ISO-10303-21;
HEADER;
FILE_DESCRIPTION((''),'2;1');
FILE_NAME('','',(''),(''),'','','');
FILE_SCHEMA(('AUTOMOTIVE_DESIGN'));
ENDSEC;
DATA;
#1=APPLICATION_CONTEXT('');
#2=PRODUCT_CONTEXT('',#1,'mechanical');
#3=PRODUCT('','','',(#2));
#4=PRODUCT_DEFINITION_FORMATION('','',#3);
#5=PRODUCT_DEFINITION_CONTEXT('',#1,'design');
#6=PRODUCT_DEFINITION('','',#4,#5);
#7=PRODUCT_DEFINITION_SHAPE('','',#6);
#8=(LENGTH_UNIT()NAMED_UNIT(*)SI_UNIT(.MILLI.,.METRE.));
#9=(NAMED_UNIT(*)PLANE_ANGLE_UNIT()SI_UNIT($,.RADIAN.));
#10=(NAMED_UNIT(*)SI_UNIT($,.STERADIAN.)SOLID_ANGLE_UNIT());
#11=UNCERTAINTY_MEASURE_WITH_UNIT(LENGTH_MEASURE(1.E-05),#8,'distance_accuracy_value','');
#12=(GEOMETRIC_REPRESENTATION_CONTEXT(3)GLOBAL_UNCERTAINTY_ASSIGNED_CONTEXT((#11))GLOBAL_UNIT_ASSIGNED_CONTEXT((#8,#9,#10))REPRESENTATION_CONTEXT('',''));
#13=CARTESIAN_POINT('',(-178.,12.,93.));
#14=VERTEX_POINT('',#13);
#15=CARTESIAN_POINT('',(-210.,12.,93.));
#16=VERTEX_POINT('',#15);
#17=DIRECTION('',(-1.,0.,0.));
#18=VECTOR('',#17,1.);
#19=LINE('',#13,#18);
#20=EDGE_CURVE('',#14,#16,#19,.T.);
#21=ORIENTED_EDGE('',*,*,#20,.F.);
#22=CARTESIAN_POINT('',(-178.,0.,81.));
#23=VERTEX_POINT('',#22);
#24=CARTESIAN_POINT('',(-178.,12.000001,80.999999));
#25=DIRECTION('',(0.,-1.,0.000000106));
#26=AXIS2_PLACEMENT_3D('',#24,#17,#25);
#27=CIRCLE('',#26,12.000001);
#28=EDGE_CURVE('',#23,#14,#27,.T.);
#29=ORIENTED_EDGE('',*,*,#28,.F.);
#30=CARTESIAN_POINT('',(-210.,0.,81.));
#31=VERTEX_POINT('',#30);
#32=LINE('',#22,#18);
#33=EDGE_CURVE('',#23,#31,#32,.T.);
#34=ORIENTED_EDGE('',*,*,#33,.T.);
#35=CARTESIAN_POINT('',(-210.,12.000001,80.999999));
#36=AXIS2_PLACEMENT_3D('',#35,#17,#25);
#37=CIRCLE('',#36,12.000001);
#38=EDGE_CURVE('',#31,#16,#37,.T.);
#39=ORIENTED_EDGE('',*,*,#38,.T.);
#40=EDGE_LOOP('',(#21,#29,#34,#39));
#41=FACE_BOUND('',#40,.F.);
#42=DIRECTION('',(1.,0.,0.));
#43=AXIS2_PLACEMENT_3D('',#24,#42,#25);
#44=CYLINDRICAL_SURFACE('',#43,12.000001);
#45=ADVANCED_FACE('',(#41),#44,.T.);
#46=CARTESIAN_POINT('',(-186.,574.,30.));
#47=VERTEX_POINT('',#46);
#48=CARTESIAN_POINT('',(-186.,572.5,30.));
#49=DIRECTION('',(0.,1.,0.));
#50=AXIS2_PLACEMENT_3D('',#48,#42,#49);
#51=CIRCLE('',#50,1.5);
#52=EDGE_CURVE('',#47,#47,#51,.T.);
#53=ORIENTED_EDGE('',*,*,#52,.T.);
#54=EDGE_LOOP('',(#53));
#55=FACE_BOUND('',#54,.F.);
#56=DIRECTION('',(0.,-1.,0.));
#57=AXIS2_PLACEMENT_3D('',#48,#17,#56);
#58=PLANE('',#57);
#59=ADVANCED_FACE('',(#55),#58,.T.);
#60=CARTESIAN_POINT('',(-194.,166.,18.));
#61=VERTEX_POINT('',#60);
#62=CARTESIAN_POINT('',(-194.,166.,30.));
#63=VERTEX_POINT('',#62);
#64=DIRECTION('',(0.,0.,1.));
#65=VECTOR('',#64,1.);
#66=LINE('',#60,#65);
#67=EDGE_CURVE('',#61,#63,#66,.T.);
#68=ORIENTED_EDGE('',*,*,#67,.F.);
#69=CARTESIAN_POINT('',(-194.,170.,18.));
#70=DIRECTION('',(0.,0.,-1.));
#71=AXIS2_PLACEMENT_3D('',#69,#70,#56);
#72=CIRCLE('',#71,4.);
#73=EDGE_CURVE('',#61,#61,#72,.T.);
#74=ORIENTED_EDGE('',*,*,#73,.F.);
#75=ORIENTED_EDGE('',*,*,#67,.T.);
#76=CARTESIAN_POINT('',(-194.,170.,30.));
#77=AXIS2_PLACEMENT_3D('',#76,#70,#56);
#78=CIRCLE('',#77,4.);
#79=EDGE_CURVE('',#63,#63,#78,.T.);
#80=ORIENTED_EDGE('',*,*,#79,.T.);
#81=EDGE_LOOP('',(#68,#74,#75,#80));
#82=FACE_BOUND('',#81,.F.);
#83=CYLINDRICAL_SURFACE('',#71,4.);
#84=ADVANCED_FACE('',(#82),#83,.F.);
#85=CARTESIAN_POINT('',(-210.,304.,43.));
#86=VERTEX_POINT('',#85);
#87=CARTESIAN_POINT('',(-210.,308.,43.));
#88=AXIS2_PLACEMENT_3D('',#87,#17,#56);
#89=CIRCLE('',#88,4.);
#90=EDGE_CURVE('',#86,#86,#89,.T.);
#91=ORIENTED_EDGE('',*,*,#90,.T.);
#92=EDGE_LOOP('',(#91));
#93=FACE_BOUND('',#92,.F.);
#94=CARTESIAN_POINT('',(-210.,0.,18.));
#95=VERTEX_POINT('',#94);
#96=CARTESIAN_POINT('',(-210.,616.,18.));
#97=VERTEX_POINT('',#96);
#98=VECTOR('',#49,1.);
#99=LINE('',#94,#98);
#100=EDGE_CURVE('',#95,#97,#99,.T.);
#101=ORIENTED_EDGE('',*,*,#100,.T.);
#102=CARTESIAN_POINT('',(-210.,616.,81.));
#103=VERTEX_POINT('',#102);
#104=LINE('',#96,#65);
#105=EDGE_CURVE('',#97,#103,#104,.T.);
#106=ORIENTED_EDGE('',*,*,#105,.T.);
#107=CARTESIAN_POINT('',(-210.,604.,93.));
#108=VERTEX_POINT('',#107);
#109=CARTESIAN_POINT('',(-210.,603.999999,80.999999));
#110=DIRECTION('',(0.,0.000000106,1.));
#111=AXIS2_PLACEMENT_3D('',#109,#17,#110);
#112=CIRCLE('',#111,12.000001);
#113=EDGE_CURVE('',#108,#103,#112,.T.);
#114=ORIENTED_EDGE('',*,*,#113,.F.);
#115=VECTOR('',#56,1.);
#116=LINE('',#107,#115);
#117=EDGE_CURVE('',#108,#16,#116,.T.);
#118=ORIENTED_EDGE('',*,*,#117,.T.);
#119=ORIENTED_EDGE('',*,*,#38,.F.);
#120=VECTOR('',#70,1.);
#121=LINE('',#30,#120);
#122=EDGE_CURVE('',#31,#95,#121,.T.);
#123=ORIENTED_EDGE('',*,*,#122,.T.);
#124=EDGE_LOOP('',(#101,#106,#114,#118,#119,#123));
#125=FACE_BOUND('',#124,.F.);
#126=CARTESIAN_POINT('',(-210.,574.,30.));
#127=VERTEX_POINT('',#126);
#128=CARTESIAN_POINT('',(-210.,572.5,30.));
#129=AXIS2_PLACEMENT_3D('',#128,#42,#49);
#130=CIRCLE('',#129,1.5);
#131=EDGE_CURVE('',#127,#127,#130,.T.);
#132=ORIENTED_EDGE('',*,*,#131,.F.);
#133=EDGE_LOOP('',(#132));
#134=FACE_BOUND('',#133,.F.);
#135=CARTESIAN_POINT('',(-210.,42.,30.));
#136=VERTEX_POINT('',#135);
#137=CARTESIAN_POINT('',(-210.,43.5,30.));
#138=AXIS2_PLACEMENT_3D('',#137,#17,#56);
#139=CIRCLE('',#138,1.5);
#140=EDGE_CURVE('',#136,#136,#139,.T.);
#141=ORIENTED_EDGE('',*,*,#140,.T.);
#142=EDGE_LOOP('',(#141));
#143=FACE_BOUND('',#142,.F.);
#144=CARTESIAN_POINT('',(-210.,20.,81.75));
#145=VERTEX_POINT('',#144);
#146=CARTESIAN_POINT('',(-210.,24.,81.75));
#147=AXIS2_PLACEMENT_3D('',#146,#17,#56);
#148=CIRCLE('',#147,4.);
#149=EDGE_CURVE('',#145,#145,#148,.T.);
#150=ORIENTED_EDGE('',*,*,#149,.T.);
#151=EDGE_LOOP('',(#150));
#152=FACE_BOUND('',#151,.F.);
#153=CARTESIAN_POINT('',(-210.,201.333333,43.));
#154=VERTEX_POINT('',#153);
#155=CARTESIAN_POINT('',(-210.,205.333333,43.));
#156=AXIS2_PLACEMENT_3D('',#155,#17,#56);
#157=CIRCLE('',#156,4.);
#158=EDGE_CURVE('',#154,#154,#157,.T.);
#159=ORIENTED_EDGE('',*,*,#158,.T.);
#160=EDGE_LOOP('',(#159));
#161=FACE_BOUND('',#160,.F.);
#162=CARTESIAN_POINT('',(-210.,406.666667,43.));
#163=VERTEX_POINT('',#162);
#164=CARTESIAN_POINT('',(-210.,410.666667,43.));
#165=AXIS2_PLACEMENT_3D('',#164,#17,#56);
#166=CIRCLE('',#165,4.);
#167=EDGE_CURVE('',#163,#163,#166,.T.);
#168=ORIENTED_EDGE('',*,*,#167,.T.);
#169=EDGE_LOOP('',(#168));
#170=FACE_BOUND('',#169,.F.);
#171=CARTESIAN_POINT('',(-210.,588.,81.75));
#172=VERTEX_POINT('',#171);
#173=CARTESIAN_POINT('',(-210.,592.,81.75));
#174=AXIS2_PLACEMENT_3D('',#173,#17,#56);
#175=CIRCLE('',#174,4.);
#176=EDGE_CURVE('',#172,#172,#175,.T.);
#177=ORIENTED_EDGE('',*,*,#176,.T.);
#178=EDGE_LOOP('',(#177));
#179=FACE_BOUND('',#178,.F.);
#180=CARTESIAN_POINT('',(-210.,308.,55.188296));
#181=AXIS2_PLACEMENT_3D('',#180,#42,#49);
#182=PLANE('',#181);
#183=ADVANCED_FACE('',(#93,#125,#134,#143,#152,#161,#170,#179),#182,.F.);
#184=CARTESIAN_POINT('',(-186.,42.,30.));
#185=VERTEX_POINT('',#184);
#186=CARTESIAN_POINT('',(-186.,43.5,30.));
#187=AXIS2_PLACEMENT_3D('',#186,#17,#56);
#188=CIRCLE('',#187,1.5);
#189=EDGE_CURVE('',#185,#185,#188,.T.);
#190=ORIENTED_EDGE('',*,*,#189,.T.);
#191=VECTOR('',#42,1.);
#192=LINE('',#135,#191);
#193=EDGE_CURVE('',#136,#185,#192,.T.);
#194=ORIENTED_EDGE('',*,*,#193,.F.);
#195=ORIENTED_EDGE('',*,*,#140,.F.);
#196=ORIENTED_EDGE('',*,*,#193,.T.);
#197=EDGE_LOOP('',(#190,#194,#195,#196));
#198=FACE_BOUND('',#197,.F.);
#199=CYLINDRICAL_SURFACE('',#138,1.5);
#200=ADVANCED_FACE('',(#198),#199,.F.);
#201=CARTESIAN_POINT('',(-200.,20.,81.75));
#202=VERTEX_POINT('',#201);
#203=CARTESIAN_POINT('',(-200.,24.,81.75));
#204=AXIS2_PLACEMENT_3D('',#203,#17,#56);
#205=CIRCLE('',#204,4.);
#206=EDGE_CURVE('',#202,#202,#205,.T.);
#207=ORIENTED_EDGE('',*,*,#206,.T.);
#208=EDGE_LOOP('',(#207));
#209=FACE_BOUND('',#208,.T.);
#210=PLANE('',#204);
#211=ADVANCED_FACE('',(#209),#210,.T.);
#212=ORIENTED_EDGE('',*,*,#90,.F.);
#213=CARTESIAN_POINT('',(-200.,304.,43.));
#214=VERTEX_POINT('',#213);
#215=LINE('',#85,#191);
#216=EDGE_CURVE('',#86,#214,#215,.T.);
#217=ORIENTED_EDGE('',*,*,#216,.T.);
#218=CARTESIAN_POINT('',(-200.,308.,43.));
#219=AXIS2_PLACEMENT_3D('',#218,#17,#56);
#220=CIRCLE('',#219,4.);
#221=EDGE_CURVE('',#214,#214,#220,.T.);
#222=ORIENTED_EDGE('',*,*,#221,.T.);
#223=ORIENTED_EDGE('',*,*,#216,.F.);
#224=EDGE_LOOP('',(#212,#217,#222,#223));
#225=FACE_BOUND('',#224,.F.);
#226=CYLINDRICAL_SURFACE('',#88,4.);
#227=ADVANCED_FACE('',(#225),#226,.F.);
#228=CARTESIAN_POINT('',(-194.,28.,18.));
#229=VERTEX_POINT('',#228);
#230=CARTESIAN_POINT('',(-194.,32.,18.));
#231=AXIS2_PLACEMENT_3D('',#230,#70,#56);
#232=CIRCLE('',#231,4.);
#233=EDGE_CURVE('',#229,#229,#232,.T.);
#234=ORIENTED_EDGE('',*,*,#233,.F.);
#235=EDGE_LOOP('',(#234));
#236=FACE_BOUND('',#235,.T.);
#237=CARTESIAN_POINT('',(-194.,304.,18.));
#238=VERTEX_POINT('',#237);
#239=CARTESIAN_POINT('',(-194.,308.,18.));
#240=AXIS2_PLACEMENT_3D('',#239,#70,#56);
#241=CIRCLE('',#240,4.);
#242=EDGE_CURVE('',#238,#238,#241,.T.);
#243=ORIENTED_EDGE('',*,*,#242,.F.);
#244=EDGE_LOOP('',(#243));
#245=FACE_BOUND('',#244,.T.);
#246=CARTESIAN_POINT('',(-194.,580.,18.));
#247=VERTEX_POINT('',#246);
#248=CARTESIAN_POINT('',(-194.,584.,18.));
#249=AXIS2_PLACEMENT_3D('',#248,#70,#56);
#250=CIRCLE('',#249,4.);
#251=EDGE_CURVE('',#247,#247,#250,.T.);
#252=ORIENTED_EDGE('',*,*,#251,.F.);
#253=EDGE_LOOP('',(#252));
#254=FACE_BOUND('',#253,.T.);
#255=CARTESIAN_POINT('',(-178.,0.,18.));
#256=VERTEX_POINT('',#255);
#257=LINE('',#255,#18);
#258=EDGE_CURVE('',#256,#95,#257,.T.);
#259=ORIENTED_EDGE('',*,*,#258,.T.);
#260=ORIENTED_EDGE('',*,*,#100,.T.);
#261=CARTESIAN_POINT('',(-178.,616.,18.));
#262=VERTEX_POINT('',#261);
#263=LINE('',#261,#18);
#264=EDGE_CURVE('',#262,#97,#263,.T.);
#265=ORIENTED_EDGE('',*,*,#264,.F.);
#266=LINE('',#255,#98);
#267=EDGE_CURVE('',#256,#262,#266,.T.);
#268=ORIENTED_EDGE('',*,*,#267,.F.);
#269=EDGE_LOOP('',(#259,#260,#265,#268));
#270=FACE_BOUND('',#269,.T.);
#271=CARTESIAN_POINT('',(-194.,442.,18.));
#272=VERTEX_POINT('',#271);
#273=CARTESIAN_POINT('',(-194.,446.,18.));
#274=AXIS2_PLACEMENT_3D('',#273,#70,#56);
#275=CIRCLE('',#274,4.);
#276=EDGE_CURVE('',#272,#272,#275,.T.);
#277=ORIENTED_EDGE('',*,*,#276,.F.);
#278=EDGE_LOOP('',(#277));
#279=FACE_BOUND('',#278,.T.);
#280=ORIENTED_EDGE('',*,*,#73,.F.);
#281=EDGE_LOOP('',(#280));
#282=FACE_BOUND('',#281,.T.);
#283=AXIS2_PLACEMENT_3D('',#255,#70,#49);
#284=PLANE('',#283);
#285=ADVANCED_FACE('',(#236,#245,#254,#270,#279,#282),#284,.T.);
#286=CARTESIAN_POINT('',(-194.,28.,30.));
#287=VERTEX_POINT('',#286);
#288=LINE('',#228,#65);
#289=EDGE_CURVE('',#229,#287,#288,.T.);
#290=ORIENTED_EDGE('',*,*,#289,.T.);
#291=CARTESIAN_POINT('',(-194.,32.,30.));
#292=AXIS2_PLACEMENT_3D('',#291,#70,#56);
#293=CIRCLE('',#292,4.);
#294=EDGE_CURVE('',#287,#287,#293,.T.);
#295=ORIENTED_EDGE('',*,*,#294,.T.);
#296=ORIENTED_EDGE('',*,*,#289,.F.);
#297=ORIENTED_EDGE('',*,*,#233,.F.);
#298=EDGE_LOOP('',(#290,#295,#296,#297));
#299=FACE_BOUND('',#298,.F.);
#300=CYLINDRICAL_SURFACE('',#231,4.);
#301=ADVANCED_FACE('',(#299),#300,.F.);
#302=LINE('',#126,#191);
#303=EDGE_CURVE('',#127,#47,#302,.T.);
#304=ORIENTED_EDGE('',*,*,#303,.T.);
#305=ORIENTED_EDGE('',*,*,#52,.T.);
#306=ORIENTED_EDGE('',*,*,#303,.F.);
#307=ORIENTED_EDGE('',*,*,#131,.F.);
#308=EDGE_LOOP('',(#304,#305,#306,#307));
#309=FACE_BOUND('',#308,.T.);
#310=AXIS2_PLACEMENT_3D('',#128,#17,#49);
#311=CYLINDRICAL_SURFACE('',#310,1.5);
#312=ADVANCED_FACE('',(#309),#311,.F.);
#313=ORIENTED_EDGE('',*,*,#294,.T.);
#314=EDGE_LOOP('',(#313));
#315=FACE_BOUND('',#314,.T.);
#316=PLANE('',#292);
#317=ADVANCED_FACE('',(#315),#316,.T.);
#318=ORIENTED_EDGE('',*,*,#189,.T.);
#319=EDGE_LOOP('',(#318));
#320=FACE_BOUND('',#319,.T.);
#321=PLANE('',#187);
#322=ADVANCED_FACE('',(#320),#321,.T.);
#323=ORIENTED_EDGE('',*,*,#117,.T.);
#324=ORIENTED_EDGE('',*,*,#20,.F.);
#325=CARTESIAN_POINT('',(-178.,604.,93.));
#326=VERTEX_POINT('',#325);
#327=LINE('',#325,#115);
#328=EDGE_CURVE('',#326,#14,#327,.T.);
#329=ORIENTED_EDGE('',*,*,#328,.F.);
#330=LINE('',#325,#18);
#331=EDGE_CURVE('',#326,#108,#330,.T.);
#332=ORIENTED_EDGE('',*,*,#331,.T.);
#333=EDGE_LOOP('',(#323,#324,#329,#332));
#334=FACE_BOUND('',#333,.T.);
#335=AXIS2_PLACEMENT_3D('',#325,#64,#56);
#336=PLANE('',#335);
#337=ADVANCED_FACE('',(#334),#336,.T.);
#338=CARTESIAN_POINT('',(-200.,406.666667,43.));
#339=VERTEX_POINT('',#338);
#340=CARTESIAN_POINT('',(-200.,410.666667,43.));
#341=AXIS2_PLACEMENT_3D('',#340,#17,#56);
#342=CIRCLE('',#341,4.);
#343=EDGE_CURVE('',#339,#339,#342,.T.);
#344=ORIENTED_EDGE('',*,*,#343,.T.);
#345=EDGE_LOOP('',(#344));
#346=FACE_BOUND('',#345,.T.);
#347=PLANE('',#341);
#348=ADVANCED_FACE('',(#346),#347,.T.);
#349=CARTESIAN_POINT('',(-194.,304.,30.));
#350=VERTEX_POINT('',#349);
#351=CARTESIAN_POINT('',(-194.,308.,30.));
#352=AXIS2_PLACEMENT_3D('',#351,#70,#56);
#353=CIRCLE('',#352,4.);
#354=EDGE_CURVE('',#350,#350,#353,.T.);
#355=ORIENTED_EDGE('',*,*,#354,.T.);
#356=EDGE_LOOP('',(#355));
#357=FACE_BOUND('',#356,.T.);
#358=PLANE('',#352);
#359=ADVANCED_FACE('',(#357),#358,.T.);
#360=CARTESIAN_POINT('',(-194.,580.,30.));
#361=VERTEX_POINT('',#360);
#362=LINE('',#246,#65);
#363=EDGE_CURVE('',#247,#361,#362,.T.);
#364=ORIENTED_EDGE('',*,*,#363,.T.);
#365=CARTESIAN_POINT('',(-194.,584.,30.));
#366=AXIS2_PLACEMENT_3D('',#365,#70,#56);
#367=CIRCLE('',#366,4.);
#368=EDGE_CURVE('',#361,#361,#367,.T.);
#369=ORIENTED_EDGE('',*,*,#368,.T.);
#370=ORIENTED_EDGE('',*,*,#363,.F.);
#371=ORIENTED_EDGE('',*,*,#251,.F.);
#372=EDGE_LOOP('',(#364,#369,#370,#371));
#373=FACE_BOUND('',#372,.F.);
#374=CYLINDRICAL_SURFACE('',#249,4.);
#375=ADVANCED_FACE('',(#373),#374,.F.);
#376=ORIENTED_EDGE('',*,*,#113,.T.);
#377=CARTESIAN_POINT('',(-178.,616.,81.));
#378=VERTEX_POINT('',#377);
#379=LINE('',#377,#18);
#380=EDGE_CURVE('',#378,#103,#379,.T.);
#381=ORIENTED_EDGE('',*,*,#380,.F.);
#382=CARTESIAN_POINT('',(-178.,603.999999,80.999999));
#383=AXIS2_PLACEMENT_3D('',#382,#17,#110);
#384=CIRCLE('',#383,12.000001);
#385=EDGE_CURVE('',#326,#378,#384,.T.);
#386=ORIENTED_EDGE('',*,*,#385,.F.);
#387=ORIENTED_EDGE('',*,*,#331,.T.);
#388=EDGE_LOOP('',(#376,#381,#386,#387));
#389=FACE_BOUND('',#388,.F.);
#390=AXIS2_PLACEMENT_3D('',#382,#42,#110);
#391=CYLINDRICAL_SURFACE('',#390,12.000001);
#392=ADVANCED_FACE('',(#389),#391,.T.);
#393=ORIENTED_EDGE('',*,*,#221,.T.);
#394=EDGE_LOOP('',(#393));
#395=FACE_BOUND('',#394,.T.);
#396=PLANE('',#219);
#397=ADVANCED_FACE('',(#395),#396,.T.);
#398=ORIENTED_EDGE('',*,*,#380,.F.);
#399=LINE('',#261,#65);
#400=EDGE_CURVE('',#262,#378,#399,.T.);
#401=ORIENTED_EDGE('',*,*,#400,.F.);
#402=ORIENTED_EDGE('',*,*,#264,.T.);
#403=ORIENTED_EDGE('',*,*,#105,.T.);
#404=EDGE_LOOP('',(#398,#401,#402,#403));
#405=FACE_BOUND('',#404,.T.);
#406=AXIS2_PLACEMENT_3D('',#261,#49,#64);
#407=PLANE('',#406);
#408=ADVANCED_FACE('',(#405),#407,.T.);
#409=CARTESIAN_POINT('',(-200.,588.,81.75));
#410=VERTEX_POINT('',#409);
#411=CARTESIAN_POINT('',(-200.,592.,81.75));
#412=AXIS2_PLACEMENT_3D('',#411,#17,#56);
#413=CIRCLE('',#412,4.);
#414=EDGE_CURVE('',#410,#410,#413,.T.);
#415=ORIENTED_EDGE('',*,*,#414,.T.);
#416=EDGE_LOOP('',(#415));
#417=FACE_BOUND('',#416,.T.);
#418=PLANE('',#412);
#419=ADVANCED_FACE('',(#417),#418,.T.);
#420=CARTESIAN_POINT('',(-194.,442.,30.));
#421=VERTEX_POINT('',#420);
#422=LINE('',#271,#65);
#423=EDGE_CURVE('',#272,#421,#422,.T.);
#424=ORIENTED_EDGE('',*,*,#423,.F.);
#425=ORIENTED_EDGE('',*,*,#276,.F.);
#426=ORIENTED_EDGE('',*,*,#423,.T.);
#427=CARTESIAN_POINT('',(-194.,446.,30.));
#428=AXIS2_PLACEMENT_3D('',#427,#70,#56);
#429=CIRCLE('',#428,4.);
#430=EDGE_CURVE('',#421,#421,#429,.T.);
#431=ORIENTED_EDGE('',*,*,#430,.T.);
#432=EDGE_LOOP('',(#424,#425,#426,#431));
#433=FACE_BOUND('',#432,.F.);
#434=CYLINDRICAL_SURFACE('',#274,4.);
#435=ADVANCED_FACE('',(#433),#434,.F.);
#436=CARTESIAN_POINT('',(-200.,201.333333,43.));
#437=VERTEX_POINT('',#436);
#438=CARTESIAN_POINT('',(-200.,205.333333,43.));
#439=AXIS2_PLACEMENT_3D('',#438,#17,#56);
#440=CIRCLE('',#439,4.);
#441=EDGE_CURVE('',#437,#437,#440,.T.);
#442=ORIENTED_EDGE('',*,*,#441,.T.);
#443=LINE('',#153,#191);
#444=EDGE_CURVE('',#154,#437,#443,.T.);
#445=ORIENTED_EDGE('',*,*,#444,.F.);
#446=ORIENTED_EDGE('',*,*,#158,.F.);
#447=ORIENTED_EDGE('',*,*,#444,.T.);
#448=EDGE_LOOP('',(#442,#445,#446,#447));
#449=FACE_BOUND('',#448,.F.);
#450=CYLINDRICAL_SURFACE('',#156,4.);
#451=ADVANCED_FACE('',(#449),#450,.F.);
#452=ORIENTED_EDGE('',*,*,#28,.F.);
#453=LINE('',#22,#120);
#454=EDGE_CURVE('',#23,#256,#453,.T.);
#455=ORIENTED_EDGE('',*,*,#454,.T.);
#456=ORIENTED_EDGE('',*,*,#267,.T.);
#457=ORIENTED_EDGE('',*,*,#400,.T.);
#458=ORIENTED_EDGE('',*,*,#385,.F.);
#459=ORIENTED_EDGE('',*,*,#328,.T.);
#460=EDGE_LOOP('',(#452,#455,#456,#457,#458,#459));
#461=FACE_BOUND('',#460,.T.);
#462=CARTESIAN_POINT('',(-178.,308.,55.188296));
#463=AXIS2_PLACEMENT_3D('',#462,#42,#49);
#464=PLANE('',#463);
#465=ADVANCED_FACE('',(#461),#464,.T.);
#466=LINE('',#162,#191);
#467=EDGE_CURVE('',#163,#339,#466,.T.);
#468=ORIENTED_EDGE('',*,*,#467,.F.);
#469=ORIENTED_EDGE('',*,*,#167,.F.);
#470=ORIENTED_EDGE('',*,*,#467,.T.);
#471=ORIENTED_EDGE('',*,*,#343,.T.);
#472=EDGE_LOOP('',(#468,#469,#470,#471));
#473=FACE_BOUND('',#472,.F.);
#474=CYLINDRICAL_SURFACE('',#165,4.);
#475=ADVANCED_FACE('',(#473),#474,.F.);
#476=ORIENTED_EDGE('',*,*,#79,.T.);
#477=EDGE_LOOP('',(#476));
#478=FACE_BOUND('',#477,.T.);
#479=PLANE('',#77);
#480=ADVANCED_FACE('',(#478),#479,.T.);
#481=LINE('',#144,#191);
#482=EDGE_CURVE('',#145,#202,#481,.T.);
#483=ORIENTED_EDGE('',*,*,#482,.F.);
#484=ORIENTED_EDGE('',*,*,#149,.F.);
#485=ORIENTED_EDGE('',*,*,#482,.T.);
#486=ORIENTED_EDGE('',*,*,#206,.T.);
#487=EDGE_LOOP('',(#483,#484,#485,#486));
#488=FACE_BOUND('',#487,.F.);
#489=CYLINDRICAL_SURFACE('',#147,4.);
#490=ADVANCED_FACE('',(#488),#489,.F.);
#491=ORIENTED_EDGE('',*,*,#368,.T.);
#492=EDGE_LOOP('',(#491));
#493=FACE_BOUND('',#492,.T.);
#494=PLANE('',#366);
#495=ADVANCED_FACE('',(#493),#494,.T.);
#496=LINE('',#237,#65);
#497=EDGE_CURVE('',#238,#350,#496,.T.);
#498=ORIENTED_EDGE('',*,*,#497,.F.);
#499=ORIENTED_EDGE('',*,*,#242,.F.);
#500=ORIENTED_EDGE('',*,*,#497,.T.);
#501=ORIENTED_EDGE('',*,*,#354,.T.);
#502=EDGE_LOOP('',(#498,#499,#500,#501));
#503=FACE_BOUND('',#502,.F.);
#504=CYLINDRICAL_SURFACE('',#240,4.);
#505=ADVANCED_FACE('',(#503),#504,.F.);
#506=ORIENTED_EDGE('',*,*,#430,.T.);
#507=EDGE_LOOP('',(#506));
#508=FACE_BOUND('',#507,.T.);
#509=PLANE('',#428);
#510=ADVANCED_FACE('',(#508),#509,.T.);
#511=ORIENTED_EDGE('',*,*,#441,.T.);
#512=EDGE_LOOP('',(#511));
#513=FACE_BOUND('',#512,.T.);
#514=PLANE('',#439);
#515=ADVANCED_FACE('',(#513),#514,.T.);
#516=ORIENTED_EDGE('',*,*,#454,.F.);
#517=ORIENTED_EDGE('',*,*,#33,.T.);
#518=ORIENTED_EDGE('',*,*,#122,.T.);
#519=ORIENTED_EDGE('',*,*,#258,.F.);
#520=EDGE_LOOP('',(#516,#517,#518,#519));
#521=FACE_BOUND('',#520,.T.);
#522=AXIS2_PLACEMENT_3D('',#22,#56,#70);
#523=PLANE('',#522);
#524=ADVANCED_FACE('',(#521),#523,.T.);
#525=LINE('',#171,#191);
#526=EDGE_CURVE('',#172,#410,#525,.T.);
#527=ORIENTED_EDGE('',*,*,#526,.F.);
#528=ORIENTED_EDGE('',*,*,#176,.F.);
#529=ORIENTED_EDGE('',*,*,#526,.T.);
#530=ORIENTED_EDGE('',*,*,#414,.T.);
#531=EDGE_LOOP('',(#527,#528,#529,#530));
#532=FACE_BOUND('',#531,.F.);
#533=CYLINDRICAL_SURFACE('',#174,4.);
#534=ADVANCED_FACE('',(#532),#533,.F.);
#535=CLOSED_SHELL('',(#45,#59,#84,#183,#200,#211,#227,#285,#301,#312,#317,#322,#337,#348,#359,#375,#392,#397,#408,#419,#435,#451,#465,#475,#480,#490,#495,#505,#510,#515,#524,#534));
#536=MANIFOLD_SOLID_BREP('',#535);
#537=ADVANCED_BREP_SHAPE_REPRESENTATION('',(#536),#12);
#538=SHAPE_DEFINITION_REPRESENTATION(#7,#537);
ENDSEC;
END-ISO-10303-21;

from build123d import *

# Parameters (mm, degrees)
PAD001_DEPTH            = 32
SKETCH002_R             = 1.5
POCKET_DEPTH            = 24
SKETCH013_R             = 4
POCKET005_DEPTH         = 10
SKETCH015_R             = 4
POCKET007_DEPTH         = 12
LINEARPATTERN002_COUNT  = 5
LINEARPATTERN002_PITCH  = 138
BODY001_ROLL_ANGLE      = 90
BODY001_PLACEMENT_ANGLE = -90


with BuildPart() as part:
    # Sketch001 → Pad001 (new body)
    with BuildSketch(Plane.XY):
        with BuildLine():
            Line((-296, 75), (296, 75))
            ThreePointArc((308, 63), (304.485281, 71.485281), (296, 75))
            Line((308, 63), (308, 0))
            Line((308, 0), (-308, 0))
            Line((-308, 0), (-308, 63))
            ThreePointArc((-296, 75), (-304.485281, 71.485281), (-308, 63))
        make_face()
    extrude(amount=PAD001_DEPTH)

    # Sketch002 (on Face8 of Pad001) → Pocket (cut)
    with BuildSketch(Plane.XY.offset(32)):
        with Locations((264.5, 12)):
            Circle(SKETCH002_R)
    pocket = extrude(amount=-POCKET_DEPTH, mode=Mode.SUBTRACT)

    # Mirrored: Pocket across Sketch002 V_Axis
    add(pocket.mirror(Plane(origin=(0, 0, 32), x_dir=(0, 0, 1), z_dir=(1, 0, 0))), mode=Mode.SUBTRACT)

    # Sketch013 (on Face5 of Mirrored) → Pocket005 (cut)
    with BuildSketch(Plane.XY.offset(32)):
        with Locations((-284, 63.75)):
            Circle(SKETCH013_R)
        with Locations((284, 63.75)):
            Circle(SKETCH013_R)
        with Locations((-102.666667, 25)):
            Circle(SKETCH013_R)
        with Locations((0, 25)):
            Circle(SKETCH013_R)
        with Locations((102.666667, 25)):
            Circle(SKETCH013_R)
    extrude(amount=-POCKET005_DEPTH, mode=Mode.SUBTRACT)

    # Sketch015 (on Face3 of Pocket005) → Pocket007 (cut)
    with BuildSketch(Plane.XZ):
        with Locations((276, 16)):
            Circle(SKETCH015_R)
    pocket007 = extrude(amount=-POCKET007_DEPTH, mode=Mode.SUBTRACT)

    # LinearPattern002: Pocket007 ×5
    with Locations(*[(-i * LINEARPATTERN002_PITCH, 0, 0) for i in range(1, LINEARPATTERN002_COUNT)]):
        add(pocket007, mode=Mode.SUBTRACT)


with BuildPart() as part_1:
    # Body001 roll: moved
    add(part.part.rotate(Axis((0, 0, 0), (1, 0, 0)), BODY001_ROLL_ANGLE))


with BuildPart() as part_2:
    # Body001 placement: moved
    add(part_1.part.moved(Location((-178, 308, 18))).rotate(Axis((-178, 308, 18), (0, 0, 1)), BODY001_PLACEMENT_ANGLE))


solid = part_2.part
